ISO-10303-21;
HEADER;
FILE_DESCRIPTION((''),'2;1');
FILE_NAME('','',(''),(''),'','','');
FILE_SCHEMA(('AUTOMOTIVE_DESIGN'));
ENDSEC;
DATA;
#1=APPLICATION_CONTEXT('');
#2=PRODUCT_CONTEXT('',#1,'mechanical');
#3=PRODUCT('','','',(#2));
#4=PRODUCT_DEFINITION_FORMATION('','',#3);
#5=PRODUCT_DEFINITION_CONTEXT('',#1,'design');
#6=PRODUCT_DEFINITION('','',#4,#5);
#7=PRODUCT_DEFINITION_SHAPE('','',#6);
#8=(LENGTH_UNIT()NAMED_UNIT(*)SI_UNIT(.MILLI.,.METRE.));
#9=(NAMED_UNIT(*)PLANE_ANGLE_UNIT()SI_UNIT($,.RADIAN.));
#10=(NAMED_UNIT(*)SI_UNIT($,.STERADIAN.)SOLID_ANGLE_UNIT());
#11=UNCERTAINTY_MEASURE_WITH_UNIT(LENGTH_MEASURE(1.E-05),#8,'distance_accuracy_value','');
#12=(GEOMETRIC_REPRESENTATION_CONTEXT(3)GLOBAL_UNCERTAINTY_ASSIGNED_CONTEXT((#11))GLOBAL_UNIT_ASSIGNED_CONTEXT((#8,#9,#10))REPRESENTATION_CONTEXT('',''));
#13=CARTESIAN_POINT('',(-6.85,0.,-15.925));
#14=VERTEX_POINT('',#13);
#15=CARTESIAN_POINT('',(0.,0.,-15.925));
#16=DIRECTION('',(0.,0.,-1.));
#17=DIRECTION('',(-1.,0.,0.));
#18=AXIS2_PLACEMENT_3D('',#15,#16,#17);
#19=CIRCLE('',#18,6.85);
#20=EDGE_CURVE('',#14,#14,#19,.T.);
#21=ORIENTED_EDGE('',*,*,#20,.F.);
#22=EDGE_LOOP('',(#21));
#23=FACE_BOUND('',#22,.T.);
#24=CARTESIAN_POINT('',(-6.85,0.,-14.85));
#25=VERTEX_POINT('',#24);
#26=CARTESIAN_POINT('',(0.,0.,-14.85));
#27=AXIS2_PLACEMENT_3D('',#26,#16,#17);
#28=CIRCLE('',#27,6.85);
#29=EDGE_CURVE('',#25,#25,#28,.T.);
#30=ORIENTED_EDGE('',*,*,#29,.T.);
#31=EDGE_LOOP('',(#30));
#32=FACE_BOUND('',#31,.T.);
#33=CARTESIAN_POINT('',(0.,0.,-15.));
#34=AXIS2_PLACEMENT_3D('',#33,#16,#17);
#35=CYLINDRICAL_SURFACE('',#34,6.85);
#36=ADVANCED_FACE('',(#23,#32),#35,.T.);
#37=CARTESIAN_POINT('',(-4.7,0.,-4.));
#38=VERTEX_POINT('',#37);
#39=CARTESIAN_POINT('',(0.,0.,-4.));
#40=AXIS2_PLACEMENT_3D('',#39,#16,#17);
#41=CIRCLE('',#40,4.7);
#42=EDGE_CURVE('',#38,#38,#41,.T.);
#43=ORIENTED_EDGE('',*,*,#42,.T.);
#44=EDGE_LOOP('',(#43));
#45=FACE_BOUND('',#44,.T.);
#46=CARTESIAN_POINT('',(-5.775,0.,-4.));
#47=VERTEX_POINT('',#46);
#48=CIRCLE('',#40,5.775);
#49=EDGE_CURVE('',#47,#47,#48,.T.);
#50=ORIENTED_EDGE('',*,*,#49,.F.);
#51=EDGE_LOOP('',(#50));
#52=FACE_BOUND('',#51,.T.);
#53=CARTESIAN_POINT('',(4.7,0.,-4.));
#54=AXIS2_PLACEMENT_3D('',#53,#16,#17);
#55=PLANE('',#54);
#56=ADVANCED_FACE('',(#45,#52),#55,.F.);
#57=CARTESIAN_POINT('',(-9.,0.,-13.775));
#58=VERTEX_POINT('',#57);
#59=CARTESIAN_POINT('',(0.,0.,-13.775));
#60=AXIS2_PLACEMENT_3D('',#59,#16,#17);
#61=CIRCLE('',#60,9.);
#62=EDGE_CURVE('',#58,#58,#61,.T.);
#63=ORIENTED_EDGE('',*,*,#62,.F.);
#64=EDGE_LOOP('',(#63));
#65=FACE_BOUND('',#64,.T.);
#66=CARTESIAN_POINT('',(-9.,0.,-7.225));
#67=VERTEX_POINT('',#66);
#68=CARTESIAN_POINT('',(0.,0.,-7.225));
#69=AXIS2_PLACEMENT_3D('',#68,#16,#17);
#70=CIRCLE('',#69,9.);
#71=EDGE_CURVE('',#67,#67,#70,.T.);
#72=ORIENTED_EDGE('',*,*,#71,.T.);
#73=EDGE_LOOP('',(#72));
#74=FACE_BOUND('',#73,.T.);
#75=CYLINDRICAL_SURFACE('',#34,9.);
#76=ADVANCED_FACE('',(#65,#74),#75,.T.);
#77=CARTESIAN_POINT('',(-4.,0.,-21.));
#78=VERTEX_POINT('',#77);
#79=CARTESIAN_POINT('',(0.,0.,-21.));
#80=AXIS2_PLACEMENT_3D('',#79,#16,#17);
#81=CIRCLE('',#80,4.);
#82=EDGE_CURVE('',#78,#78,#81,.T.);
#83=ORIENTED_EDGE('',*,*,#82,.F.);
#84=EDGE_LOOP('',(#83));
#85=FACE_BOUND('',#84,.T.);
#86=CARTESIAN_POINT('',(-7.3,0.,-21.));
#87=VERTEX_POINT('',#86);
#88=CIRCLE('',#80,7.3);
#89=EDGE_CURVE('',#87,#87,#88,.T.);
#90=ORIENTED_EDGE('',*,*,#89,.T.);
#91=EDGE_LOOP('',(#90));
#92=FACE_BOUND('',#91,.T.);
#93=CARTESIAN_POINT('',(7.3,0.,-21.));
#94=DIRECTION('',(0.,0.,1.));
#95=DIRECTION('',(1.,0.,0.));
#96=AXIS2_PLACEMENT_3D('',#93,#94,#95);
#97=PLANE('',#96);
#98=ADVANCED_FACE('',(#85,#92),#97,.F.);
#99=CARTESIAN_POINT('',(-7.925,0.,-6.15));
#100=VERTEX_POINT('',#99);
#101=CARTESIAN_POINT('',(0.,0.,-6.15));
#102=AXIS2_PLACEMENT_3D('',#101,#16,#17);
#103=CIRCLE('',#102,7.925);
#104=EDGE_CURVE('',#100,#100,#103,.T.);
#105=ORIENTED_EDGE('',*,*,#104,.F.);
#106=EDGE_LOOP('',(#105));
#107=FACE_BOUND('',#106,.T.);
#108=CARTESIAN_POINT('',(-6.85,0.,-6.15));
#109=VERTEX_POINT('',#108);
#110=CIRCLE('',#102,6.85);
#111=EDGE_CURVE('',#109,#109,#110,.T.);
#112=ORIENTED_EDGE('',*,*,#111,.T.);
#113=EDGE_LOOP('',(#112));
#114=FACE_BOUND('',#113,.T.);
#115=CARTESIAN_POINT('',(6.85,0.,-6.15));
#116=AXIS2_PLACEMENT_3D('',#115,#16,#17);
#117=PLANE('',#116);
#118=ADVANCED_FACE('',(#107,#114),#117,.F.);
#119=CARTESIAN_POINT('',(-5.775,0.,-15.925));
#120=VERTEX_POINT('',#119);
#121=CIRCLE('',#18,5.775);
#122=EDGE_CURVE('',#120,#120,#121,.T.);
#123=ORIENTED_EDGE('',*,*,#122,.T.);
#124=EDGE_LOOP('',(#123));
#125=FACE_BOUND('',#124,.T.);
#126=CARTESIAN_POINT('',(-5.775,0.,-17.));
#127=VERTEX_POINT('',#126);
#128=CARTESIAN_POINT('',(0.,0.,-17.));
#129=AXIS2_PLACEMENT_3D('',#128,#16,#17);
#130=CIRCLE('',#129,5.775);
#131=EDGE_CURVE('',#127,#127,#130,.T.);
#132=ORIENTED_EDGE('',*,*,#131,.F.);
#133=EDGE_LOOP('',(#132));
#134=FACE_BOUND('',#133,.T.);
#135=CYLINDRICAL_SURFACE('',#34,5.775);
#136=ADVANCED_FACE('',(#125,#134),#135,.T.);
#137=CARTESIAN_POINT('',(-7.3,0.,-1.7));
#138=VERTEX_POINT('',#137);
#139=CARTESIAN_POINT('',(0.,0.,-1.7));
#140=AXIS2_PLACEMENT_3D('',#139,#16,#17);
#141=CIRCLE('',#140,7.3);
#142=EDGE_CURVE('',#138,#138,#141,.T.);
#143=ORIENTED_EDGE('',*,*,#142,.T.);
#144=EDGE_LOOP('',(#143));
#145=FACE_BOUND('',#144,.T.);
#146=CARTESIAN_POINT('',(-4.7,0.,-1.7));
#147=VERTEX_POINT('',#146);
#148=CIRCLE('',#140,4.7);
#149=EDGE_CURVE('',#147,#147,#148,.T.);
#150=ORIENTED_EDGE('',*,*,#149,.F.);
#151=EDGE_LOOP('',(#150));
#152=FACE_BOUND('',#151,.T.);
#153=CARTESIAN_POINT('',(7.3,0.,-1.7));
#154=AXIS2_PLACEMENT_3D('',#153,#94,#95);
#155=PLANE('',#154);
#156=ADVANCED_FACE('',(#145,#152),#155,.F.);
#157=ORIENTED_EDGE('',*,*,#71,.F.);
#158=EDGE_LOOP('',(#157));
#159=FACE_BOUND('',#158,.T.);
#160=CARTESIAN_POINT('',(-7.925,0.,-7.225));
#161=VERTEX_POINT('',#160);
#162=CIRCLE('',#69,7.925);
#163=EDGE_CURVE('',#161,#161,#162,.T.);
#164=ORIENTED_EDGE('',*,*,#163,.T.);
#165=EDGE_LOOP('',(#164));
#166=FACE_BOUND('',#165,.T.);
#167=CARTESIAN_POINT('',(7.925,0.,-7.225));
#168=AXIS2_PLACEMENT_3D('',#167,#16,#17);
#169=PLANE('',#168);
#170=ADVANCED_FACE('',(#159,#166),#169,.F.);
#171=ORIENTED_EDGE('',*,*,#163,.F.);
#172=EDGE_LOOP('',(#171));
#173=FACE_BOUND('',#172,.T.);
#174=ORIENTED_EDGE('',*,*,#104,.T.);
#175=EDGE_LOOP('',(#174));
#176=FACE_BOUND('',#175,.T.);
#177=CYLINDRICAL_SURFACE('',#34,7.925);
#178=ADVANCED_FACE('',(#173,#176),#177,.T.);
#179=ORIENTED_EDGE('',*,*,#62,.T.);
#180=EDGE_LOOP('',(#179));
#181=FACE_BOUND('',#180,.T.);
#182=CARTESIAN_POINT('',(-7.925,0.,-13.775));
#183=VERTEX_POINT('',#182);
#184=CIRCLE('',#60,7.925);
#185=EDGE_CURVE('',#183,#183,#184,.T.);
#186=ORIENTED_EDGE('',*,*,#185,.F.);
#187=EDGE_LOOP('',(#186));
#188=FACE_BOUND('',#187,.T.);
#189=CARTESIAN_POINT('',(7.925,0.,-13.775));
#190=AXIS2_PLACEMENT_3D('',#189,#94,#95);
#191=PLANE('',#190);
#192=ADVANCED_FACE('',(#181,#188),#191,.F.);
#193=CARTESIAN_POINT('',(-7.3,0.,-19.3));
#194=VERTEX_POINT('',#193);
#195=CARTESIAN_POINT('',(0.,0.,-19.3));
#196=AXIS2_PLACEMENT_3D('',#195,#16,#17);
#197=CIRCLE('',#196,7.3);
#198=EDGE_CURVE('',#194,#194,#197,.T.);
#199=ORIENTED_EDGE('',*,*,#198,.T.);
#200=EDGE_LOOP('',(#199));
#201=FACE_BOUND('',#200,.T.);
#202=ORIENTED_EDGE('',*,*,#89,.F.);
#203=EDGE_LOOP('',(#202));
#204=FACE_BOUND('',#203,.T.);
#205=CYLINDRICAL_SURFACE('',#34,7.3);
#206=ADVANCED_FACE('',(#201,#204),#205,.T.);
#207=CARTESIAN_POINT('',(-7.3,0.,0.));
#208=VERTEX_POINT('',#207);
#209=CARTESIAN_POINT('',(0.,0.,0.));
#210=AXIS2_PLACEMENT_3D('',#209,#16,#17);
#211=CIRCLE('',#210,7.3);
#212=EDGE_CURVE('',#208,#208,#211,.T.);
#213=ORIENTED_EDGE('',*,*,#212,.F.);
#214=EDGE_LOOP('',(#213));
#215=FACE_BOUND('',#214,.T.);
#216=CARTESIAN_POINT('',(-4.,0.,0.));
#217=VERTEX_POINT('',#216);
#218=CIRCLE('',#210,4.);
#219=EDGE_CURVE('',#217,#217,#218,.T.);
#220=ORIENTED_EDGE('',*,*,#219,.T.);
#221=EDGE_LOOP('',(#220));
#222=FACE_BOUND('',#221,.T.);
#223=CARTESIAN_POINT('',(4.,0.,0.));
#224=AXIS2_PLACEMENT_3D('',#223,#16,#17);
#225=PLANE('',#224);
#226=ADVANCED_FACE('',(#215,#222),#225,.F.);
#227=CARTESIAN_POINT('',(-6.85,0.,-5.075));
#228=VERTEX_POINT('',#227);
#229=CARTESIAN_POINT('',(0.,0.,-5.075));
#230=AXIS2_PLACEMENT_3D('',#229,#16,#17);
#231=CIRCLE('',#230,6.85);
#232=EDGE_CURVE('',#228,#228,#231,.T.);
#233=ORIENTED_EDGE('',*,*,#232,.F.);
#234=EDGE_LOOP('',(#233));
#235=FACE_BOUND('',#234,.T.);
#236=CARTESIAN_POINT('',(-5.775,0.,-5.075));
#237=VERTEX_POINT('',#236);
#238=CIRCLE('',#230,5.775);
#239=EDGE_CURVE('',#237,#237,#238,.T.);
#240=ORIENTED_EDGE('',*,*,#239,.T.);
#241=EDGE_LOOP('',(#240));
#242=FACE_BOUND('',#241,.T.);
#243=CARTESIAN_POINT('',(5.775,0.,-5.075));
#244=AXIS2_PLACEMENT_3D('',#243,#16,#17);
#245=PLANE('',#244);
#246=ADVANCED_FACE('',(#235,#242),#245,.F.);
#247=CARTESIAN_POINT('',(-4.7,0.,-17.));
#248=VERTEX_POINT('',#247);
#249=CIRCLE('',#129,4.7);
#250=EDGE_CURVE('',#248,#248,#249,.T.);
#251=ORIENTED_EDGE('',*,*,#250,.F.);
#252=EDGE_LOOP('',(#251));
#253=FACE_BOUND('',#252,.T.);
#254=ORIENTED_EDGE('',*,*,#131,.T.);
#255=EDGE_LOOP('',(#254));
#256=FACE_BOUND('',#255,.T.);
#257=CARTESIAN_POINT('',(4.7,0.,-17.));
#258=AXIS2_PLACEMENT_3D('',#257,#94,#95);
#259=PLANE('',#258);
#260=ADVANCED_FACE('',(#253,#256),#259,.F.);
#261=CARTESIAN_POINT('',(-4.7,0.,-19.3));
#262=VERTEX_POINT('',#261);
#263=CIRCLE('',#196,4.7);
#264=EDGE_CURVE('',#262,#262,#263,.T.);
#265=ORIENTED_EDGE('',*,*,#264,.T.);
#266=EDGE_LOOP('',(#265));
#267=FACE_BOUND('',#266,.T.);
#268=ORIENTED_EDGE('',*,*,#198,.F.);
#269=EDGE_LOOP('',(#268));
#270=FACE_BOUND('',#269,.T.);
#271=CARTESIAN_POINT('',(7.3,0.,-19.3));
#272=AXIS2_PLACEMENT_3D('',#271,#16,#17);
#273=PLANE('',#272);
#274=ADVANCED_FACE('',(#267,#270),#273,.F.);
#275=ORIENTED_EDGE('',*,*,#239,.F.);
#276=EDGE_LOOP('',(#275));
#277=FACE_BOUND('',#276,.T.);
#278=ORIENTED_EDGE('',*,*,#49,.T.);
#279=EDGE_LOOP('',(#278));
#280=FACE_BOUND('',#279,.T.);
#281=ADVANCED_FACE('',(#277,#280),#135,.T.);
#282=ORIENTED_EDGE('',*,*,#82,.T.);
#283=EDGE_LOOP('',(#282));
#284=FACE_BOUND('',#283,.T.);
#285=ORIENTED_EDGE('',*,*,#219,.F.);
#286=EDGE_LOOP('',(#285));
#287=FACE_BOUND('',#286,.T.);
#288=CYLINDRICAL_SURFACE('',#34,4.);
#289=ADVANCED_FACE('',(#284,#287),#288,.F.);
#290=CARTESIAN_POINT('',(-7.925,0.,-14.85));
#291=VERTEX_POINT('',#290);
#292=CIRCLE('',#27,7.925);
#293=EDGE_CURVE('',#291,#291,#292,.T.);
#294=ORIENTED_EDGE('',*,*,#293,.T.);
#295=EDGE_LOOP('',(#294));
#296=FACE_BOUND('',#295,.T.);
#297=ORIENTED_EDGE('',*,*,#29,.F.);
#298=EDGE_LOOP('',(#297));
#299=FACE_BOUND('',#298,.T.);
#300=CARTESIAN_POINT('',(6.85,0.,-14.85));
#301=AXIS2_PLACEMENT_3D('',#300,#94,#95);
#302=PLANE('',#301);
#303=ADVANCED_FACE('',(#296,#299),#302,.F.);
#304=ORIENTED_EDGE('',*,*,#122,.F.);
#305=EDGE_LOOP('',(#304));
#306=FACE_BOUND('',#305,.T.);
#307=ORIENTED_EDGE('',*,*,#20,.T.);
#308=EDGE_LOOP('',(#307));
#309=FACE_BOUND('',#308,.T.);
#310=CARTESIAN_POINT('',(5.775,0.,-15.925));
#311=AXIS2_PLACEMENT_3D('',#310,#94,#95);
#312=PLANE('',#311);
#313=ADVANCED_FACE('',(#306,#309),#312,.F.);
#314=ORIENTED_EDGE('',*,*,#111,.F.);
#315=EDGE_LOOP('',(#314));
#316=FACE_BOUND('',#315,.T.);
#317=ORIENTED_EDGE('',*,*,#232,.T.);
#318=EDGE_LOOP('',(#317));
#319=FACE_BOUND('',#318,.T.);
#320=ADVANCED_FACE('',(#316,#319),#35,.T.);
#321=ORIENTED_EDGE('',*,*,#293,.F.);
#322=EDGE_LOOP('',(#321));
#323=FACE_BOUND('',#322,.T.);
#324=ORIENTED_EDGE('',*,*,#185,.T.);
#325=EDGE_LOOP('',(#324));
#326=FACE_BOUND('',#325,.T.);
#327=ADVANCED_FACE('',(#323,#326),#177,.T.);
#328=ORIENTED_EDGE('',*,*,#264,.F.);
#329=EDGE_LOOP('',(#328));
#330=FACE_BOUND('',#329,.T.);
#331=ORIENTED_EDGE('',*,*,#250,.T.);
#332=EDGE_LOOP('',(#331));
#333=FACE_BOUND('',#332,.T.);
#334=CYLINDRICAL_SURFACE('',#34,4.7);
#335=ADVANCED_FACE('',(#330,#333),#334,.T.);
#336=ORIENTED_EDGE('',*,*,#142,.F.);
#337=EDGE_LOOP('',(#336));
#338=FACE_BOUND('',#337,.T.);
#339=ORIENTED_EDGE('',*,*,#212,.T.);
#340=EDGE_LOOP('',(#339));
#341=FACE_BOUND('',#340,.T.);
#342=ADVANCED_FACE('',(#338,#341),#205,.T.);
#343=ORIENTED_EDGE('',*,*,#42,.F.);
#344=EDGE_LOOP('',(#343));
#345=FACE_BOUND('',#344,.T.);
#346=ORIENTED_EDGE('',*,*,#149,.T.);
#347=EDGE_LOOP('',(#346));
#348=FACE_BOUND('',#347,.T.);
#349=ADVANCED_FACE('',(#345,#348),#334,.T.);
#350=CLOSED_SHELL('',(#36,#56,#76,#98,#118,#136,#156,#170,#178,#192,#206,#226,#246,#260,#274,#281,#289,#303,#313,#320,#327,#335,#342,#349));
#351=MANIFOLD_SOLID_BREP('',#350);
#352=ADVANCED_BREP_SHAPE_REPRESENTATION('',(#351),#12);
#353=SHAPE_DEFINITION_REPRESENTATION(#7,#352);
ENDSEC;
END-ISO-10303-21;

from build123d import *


with BuildPart() as part:
    # Sketch1 → Revolve1 (revolve)
    with BuildSketch(Plane(origin=(0, 0, 0), x_dir=(1, 0, 0), z_dir=(0, 1, 0)), mode=Mode.PRIVATE) as revolve1_sk:
        Polygon((4, 0), (7.3, 0), (7.3, 1.7), (4.7, 1.7), (4.7, 4), (5.775, 4), (5.775, 5.075), (6.85, 5.075), (6.85, 6.15), (7.925, 6.15), (7.925, 7.225), (9, 7.225), (9, 8.3), (9, 12.7), (9, 13.775), (7.925, 13.775), (7.925, 14.85), (6.85, 14.85), (6.85, 15.925), (5.775, 15.925), (5.775, 17), (4.7, 17), (4.7, 19.3), (7.3, 19.3), (7.3, 21), (4, 21), align=None)
    revolve(revolve1_sk.sketch.rotate(Axis((0, 0, -15), (0, 0, 1)), 180), axis=Axis((0, 0, -15), (0, 0, 1)))


solid = part.part
